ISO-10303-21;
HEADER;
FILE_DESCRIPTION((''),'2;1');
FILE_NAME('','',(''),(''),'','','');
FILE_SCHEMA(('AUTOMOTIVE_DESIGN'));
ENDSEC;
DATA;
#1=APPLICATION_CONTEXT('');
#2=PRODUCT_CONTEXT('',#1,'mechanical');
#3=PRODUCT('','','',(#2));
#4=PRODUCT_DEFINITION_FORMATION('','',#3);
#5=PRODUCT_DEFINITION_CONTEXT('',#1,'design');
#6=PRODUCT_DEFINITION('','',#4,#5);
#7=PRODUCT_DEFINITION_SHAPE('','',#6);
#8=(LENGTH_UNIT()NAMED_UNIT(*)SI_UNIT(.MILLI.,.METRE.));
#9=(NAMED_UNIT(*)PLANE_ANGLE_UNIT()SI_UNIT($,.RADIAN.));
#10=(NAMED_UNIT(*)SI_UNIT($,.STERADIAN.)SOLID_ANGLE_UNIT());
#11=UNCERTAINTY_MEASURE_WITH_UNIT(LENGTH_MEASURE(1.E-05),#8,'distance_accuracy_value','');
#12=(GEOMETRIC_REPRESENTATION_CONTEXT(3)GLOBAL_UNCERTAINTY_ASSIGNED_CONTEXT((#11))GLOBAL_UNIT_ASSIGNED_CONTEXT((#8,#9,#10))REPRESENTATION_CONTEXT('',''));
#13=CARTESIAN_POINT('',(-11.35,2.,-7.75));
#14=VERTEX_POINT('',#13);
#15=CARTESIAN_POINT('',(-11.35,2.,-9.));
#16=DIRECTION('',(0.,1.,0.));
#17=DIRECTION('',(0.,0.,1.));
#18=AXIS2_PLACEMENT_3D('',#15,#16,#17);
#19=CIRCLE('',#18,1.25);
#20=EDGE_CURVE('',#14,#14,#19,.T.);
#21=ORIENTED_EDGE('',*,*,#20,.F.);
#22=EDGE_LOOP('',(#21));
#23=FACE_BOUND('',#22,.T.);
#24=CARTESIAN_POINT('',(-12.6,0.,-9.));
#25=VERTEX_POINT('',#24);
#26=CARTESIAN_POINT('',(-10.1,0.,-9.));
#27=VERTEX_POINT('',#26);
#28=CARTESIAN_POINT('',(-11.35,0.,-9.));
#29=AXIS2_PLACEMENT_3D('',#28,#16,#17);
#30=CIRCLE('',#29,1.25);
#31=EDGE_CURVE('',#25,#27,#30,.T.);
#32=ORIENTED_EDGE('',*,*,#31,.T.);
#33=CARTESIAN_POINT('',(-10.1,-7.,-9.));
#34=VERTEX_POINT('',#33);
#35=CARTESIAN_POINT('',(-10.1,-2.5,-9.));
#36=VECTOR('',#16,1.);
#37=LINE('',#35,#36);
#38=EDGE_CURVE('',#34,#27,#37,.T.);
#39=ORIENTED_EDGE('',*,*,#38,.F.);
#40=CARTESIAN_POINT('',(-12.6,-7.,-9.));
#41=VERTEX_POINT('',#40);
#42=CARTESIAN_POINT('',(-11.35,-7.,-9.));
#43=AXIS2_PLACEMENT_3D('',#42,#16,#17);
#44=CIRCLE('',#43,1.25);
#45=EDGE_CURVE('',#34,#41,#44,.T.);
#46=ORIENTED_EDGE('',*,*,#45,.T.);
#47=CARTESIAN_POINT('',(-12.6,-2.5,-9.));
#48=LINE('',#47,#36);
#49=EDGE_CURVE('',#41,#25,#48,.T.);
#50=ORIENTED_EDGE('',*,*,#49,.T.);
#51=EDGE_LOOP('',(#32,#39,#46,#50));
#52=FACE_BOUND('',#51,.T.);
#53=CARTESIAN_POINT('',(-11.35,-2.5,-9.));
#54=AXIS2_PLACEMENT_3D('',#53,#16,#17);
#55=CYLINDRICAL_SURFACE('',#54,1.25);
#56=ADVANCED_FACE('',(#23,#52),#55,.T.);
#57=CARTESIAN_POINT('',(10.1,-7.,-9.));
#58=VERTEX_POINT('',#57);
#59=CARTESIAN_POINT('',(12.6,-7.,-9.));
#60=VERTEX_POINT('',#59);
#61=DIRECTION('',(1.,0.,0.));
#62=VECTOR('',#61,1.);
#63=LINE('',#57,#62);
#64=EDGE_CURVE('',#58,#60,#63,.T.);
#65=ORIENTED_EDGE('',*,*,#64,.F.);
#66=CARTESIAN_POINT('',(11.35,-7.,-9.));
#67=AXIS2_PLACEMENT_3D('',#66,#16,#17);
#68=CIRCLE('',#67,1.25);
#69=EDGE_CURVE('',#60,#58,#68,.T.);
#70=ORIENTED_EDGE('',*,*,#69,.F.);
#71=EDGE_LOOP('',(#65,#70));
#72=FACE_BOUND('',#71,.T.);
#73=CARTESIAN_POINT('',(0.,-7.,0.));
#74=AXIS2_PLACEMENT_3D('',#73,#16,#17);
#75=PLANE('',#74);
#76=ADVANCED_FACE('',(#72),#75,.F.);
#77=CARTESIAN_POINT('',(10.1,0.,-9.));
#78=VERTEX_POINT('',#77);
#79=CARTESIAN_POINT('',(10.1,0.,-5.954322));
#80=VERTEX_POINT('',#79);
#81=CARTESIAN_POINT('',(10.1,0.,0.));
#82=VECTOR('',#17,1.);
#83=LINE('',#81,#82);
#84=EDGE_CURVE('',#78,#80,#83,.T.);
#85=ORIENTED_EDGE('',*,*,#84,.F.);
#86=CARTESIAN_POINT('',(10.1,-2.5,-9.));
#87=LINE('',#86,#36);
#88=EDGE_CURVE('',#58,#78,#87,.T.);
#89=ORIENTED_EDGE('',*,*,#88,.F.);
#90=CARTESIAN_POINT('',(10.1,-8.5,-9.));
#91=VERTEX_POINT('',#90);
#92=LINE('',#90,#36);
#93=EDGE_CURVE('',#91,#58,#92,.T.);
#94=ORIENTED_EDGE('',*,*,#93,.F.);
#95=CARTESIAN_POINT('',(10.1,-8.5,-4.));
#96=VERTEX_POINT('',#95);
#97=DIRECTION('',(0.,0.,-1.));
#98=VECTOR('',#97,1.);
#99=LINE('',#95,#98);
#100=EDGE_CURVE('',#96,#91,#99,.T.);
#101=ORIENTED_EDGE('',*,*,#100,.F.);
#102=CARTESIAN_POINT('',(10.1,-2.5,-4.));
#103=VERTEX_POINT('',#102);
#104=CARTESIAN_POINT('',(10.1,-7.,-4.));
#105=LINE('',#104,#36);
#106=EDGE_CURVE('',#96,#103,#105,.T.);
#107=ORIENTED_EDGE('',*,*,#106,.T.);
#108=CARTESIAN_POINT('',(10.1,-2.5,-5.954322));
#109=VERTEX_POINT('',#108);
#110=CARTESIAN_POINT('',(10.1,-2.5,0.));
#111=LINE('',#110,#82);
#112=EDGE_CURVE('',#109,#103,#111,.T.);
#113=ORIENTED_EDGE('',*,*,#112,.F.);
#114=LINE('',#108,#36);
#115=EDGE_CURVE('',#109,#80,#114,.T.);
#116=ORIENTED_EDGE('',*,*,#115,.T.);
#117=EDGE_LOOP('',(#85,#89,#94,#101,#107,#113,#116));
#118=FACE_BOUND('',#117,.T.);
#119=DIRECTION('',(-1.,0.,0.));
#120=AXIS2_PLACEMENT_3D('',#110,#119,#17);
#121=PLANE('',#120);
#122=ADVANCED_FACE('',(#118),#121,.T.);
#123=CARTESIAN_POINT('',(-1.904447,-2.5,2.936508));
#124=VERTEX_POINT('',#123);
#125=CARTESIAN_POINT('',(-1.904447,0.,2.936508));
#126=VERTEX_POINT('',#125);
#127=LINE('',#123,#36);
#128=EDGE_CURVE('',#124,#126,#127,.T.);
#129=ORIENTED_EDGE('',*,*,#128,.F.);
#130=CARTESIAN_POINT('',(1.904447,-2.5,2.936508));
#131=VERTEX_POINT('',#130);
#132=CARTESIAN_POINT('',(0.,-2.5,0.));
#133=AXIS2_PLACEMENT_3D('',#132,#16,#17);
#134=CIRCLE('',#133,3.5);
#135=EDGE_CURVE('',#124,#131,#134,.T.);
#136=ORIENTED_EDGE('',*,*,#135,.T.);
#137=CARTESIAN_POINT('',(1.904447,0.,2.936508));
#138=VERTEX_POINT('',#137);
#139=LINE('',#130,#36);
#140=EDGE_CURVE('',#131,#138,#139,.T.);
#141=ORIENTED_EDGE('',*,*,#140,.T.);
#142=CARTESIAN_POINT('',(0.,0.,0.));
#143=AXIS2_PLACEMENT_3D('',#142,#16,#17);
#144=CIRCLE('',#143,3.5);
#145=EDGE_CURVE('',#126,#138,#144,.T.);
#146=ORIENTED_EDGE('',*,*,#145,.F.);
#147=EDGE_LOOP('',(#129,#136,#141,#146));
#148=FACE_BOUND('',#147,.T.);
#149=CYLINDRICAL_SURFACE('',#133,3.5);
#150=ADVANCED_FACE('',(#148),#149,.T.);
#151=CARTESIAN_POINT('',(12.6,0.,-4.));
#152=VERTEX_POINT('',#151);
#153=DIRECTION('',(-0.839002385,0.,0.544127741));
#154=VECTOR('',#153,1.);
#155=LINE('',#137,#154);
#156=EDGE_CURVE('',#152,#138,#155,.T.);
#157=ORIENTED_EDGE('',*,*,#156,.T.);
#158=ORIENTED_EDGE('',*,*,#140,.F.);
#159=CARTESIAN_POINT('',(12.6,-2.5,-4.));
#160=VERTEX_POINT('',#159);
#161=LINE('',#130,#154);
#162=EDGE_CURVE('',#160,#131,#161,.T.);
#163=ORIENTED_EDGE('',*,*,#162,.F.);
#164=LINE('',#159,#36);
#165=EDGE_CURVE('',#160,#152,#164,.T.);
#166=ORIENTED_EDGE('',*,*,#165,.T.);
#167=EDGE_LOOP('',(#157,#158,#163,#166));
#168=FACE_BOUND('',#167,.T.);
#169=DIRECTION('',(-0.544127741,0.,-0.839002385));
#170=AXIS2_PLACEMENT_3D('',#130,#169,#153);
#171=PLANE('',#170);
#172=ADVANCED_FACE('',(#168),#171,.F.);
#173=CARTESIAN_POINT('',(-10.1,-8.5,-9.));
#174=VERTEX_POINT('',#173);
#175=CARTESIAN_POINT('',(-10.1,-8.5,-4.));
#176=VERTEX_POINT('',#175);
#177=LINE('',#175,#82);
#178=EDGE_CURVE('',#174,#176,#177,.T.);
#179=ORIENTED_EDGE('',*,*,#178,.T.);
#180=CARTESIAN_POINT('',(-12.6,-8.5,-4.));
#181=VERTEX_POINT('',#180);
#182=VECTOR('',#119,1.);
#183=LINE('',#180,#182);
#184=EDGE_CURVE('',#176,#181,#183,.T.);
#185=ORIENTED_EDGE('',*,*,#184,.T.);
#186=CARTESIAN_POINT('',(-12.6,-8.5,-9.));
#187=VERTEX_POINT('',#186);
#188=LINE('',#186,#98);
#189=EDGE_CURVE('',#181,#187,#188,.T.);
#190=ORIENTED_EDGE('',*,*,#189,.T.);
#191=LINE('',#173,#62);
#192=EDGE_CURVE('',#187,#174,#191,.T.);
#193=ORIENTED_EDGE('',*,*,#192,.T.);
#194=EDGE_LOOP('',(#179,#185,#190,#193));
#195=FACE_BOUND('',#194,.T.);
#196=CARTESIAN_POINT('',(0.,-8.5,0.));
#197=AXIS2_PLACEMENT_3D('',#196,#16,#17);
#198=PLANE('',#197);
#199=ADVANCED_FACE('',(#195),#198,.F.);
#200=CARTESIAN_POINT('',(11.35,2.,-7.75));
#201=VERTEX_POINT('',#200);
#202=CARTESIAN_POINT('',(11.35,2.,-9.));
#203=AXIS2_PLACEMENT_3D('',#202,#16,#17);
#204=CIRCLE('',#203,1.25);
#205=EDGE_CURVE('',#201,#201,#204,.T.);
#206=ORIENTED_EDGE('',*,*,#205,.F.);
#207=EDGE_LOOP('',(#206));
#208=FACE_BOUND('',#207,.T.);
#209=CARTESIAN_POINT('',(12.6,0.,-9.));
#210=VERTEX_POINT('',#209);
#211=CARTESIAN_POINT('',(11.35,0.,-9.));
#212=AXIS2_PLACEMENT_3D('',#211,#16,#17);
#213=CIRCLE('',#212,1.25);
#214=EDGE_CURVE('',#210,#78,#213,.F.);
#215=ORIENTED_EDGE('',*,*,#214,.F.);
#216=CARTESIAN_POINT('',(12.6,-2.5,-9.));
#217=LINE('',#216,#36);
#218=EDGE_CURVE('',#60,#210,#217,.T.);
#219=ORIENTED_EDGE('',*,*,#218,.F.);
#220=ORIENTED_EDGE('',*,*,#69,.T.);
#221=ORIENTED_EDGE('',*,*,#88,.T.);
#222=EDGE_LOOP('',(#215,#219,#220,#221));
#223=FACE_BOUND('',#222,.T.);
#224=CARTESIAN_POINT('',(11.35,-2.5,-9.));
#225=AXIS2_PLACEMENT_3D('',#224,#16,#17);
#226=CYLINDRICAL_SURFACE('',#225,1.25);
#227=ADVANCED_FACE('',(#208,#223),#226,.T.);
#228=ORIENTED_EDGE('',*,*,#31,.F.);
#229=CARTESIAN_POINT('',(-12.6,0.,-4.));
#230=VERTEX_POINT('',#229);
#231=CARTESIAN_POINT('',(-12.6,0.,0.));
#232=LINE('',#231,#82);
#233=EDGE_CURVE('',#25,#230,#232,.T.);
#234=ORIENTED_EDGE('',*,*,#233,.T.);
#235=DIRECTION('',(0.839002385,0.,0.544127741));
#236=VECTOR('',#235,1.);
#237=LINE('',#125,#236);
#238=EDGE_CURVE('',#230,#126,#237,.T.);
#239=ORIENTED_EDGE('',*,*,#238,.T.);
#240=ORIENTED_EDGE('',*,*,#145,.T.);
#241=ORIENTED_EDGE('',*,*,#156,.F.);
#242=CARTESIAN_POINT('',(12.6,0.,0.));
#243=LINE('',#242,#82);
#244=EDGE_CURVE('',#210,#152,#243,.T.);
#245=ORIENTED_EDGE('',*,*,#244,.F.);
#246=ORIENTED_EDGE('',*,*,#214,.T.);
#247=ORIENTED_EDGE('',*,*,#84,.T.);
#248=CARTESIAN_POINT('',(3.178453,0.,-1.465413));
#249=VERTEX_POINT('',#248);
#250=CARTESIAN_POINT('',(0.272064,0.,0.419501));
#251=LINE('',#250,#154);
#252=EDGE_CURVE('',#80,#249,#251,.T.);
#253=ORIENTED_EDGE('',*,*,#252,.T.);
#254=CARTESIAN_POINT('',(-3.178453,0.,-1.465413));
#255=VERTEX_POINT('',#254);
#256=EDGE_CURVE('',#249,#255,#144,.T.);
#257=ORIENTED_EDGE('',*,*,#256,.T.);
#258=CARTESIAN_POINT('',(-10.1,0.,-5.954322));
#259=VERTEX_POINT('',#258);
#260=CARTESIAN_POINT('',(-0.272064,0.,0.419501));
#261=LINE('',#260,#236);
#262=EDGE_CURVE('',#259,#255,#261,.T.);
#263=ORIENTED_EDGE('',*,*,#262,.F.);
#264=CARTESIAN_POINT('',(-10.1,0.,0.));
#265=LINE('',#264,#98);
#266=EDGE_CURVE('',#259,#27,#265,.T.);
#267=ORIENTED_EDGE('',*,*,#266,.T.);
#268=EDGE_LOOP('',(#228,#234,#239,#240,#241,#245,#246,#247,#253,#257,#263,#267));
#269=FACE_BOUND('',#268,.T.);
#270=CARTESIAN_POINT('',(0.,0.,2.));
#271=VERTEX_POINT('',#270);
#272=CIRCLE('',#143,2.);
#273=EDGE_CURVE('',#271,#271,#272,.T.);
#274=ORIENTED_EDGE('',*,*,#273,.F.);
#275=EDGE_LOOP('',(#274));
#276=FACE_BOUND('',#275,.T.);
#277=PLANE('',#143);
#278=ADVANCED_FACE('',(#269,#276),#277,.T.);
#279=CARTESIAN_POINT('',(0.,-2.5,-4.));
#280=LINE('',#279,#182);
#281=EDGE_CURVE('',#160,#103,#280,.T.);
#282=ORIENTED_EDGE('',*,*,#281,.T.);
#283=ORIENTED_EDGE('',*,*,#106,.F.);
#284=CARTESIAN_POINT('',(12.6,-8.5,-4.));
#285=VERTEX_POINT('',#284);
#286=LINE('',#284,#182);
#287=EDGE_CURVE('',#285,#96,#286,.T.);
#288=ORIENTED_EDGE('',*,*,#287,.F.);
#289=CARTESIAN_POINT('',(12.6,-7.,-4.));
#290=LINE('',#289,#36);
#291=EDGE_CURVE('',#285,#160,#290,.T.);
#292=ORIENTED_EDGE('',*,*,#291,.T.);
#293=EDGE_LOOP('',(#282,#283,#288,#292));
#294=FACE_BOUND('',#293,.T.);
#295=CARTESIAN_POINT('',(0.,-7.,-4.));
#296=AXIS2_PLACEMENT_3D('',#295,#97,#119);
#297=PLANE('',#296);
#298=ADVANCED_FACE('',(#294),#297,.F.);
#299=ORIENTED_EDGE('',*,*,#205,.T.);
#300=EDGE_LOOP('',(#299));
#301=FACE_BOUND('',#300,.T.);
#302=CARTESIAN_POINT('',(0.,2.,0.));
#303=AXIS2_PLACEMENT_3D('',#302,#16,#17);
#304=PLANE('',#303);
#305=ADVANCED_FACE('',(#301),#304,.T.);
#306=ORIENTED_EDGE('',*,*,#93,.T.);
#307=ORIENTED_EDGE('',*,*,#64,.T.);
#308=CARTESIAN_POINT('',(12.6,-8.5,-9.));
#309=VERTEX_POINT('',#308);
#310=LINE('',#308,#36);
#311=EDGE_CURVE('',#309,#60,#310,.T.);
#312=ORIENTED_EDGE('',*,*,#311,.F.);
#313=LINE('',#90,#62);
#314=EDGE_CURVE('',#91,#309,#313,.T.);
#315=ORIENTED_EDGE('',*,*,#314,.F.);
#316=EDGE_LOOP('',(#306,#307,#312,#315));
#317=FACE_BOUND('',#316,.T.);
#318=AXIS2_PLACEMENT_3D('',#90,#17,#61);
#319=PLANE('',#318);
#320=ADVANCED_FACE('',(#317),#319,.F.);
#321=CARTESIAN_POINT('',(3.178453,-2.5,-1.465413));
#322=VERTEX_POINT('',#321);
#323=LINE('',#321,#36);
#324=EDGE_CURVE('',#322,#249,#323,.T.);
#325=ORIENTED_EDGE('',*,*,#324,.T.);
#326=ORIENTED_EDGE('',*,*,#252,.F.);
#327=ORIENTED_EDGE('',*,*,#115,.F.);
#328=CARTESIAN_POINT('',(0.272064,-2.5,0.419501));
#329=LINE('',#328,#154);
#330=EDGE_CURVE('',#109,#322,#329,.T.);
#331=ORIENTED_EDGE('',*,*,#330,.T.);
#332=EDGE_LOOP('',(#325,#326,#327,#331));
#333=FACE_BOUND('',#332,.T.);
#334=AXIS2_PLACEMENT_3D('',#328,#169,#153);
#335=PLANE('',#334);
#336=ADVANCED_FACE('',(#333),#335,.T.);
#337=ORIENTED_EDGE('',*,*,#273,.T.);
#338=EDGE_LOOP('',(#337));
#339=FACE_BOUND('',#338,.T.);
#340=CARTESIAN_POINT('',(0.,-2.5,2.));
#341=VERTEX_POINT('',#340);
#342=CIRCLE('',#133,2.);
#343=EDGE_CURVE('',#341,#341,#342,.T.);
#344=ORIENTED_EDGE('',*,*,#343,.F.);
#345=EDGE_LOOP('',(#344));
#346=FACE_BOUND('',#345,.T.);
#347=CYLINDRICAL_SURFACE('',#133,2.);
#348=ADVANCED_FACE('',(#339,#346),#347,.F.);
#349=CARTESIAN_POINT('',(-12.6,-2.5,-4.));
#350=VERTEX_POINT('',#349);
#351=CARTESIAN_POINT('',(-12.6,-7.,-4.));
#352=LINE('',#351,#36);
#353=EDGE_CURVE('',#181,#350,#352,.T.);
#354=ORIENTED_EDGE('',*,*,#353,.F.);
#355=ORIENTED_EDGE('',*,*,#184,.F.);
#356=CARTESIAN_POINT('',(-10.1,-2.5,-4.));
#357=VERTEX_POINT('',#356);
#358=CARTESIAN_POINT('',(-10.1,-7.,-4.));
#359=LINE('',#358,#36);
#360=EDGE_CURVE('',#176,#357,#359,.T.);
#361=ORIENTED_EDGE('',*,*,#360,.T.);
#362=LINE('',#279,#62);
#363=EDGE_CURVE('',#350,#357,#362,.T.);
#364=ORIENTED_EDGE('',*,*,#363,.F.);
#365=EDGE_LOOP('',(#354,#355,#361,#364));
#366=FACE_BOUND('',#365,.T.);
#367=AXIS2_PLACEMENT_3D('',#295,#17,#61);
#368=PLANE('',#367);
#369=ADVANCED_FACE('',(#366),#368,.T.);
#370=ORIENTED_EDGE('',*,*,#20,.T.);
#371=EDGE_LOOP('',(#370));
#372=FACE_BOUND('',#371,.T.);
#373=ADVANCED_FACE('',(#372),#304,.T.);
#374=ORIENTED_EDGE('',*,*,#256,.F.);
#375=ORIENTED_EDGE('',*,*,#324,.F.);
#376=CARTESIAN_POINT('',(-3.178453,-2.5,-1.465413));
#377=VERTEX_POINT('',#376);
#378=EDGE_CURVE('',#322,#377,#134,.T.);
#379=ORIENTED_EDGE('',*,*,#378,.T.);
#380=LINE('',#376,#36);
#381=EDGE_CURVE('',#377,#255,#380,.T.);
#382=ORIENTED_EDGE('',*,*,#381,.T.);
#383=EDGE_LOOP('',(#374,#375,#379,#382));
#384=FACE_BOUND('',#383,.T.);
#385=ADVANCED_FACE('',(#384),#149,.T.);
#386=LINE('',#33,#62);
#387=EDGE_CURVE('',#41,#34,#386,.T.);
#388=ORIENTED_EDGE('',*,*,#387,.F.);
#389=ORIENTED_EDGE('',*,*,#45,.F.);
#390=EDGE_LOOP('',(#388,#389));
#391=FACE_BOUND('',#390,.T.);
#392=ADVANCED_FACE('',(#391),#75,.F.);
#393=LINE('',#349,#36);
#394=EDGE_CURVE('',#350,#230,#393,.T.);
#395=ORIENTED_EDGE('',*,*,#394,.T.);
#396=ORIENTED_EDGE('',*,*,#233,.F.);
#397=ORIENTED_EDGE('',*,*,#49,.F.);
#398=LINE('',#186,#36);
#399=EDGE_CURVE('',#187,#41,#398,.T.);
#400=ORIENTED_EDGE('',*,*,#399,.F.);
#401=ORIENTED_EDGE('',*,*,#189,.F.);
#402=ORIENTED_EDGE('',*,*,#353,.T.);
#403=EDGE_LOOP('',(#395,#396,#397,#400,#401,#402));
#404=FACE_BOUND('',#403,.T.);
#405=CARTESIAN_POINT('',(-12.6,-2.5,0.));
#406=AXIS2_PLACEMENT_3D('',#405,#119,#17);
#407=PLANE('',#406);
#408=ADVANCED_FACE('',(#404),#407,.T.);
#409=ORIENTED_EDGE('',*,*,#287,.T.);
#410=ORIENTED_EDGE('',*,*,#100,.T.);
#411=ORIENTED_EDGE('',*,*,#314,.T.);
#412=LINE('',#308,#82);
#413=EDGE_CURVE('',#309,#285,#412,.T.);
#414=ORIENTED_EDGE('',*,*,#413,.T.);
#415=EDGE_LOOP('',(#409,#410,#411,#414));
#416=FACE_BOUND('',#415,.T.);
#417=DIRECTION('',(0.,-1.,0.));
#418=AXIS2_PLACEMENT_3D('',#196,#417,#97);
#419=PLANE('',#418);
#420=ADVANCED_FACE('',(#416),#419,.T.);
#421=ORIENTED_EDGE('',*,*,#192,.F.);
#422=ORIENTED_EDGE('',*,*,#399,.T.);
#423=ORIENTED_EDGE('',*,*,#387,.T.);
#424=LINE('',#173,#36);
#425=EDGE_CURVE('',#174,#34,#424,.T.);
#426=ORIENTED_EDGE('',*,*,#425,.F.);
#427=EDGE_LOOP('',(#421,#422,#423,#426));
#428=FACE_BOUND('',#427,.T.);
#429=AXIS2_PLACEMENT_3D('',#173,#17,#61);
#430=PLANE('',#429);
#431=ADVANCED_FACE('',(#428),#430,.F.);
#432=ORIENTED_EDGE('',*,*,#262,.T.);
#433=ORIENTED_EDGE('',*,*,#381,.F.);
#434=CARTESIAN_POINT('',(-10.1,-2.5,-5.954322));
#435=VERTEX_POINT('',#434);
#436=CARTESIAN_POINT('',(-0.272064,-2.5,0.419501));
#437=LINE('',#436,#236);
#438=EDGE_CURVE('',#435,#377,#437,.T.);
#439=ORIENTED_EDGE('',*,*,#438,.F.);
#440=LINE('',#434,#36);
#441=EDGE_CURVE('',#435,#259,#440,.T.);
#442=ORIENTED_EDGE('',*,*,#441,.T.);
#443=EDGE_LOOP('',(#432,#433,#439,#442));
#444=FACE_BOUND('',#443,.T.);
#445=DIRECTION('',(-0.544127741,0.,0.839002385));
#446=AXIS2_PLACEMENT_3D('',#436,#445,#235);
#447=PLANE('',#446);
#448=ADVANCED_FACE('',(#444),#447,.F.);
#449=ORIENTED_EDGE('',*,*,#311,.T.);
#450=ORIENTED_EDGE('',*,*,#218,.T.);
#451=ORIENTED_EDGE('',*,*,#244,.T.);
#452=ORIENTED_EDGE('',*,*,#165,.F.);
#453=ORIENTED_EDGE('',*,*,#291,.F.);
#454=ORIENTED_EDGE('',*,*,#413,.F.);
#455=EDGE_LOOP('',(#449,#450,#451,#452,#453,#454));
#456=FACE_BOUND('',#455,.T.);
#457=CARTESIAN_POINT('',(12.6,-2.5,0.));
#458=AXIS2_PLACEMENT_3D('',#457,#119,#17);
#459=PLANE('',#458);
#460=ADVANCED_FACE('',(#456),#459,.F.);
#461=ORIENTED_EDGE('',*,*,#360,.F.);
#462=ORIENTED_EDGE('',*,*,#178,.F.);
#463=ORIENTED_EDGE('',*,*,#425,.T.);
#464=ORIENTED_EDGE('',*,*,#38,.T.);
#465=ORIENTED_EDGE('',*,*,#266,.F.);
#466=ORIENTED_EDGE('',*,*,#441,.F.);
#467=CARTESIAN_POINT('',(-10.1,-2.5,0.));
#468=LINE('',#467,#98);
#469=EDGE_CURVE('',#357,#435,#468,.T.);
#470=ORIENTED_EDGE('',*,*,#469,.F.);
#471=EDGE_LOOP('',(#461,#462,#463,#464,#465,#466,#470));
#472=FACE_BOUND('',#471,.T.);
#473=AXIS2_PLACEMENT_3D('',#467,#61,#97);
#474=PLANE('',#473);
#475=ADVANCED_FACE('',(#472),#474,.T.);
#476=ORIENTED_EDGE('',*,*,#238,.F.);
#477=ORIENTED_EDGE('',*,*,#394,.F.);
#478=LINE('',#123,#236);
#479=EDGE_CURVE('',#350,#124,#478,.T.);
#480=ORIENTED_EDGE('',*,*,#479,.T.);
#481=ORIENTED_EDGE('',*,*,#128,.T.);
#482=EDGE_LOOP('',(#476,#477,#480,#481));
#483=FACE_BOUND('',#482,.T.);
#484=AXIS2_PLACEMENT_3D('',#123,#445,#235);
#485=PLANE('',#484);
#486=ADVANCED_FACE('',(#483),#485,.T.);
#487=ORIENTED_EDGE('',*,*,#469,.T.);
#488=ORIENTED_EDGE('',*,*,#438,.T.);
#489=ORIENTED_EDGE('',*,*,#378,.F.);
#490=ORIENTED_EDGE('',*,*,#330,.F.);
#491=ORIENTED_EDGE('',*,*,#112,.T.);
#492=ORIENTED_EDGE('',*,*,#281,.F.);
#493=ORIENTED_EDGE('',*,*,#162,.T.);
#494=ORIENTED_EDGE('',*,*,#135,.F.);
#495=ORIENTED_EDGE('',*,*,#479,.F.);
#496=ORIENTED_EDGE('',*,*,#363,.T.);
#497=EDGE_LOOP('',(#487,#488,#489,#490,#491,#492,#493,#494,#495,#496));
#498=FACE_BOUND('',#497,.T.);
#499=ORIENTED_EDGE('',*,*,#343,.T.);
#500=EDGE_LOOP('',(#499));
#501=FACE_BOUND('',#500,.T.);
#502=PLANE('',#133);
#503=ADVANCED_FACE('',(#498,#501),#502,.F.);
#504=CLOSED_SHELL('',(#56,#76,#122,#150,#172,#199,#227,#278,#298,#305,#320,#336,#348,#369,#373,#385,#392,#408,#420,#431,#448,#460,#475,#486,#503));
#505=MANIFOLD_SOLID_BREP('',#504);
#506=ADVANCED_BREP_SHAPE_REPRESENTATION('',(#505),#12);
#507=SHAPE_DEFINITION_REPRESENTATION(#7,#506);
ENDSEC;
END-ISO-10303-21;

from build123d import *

# Parameters (mm, degrees)
ESBO_O1_R                = 2
RESSALTO_EXTRUS_O1_DEPTH = 2.5
RESSALTO_EXTRUS_O2_DEPTH = 7
RESSALTO_EXTRUS_O3_START = 2
ESBO_O1_4_R              = 1.25
RESSALTO_EXTRUS_O3_DEPTH = 2
ESBO_O2_W                = 2.5
ESBO_O2_H                = 5
RESSALTO_EXTRUS_O4_DEPTH = 1.5


with BuildPart() as part:
    # Esboço1 → Ressalto-extrusão1 (new body)
    with BuildSketch(Plane(origin=(0, 0, 0), x_dir=(1, 0, 0), z_dir=(0, 1, 0))):
        with BuildLine():
            ThreePointArc((-10.1, 9), (-11.35, 10.25), (-12.6, 9))
            Line((-12.6, 9), (-12.6, 4))
            Line((-12.6, 4), (-1.904447094, -2.936508346))
            ThreePointArc((-1.904447094, -2.936508346), (0, -3.5), (1.904447094, -2.936508346))
            Line((1.904447094, -2.936508346), (12.6, 4))
            Line((12.6, 4), (12.6, 9))
            ThreePointArc((12.6, 9), (11.35, 10.25), (10.1, 9))
            Line((10.1, 9), (10.1, 5.954321796))
            Line((10.1, 5.954321796), (3.178453386, 1.465412595))
            ThreePointArc((3.178453386, 1.465412595), (0, 3.5), (-3.178453386, 1.465412595))
            Line((-3.178453386, 1.465412595), (-10.1, 5.954321796))
            Line((-10.1, 5.954321796), (-10.1, 9))
        make_face()
        Circle(ESBO_O1_R, mode=Mode.SUBTRACT)
    extrude(amount=-RESSALTO_EXTRUS_O1_DEPTH)

    # Esboço1<3> → Ressalto-extrusão2 (add)
    with BuildSketch(Plane(origin=(0, 0, 0), x_dir=(1, 0, 0), z_dir=(0, 1, 0))):
        with BuildLine():
            ThreePointArc((-10.1, 9), (-11.35, 10.25), (-12.6, 9))
            Line((-12.6, 9), (-12.6, 4))
            Line((-12.6, 4), (-10.1, 4))
            Line((-10.1, 4), (-10.1, 9))
        make_face()
        with BuildLine():
            Line((10.1, 9), (10.1, 4))
            Line((10.1, 4), (12.6, 4))
            Line((12.6, 4), (12.6, 9))
            ThreePointArc((12.6, 9), (11.35, 10.25), (10.1, 9))
        make_face()
    extrude(amount=-RESSALTO_EXTRUS_O2_DEPTH)

    # Esboço1<4> → Ressalto-extrusão3 (add)
    with BuildSketch(Plane(origin=(0, 0, 0), x_dir=(1, 0, 0), z_dir=(0, 1, 0)).offset(RESSALTO_EXTRUS_O3_START)):
        with Locations((-11.35, 9)):
            Circle(ESBO_O1_4_R)
        with Locations((11.35, 9)):
            Circle(ESBO_O1_4_R)
    extrude(amount=-RESSALTO_EXTRUS_O3_DEPTH)

    # Esboço2 → Ressalto-extrusão4 (add)
    with BuildSketch(Plane.XZ.offset(7)):
        with Locations((-11.35, -6.5)):
            Rectangle(ESBO_O2_W, ESBO_O2_H)
        with Locations((11.35, -6.5)):
            Rectangle(ESBO_O2_W, ESBO_O2_H)
    extrude(amount=RESSALTO_EXTRUS_O4_DEPTH)


solid = part.part
